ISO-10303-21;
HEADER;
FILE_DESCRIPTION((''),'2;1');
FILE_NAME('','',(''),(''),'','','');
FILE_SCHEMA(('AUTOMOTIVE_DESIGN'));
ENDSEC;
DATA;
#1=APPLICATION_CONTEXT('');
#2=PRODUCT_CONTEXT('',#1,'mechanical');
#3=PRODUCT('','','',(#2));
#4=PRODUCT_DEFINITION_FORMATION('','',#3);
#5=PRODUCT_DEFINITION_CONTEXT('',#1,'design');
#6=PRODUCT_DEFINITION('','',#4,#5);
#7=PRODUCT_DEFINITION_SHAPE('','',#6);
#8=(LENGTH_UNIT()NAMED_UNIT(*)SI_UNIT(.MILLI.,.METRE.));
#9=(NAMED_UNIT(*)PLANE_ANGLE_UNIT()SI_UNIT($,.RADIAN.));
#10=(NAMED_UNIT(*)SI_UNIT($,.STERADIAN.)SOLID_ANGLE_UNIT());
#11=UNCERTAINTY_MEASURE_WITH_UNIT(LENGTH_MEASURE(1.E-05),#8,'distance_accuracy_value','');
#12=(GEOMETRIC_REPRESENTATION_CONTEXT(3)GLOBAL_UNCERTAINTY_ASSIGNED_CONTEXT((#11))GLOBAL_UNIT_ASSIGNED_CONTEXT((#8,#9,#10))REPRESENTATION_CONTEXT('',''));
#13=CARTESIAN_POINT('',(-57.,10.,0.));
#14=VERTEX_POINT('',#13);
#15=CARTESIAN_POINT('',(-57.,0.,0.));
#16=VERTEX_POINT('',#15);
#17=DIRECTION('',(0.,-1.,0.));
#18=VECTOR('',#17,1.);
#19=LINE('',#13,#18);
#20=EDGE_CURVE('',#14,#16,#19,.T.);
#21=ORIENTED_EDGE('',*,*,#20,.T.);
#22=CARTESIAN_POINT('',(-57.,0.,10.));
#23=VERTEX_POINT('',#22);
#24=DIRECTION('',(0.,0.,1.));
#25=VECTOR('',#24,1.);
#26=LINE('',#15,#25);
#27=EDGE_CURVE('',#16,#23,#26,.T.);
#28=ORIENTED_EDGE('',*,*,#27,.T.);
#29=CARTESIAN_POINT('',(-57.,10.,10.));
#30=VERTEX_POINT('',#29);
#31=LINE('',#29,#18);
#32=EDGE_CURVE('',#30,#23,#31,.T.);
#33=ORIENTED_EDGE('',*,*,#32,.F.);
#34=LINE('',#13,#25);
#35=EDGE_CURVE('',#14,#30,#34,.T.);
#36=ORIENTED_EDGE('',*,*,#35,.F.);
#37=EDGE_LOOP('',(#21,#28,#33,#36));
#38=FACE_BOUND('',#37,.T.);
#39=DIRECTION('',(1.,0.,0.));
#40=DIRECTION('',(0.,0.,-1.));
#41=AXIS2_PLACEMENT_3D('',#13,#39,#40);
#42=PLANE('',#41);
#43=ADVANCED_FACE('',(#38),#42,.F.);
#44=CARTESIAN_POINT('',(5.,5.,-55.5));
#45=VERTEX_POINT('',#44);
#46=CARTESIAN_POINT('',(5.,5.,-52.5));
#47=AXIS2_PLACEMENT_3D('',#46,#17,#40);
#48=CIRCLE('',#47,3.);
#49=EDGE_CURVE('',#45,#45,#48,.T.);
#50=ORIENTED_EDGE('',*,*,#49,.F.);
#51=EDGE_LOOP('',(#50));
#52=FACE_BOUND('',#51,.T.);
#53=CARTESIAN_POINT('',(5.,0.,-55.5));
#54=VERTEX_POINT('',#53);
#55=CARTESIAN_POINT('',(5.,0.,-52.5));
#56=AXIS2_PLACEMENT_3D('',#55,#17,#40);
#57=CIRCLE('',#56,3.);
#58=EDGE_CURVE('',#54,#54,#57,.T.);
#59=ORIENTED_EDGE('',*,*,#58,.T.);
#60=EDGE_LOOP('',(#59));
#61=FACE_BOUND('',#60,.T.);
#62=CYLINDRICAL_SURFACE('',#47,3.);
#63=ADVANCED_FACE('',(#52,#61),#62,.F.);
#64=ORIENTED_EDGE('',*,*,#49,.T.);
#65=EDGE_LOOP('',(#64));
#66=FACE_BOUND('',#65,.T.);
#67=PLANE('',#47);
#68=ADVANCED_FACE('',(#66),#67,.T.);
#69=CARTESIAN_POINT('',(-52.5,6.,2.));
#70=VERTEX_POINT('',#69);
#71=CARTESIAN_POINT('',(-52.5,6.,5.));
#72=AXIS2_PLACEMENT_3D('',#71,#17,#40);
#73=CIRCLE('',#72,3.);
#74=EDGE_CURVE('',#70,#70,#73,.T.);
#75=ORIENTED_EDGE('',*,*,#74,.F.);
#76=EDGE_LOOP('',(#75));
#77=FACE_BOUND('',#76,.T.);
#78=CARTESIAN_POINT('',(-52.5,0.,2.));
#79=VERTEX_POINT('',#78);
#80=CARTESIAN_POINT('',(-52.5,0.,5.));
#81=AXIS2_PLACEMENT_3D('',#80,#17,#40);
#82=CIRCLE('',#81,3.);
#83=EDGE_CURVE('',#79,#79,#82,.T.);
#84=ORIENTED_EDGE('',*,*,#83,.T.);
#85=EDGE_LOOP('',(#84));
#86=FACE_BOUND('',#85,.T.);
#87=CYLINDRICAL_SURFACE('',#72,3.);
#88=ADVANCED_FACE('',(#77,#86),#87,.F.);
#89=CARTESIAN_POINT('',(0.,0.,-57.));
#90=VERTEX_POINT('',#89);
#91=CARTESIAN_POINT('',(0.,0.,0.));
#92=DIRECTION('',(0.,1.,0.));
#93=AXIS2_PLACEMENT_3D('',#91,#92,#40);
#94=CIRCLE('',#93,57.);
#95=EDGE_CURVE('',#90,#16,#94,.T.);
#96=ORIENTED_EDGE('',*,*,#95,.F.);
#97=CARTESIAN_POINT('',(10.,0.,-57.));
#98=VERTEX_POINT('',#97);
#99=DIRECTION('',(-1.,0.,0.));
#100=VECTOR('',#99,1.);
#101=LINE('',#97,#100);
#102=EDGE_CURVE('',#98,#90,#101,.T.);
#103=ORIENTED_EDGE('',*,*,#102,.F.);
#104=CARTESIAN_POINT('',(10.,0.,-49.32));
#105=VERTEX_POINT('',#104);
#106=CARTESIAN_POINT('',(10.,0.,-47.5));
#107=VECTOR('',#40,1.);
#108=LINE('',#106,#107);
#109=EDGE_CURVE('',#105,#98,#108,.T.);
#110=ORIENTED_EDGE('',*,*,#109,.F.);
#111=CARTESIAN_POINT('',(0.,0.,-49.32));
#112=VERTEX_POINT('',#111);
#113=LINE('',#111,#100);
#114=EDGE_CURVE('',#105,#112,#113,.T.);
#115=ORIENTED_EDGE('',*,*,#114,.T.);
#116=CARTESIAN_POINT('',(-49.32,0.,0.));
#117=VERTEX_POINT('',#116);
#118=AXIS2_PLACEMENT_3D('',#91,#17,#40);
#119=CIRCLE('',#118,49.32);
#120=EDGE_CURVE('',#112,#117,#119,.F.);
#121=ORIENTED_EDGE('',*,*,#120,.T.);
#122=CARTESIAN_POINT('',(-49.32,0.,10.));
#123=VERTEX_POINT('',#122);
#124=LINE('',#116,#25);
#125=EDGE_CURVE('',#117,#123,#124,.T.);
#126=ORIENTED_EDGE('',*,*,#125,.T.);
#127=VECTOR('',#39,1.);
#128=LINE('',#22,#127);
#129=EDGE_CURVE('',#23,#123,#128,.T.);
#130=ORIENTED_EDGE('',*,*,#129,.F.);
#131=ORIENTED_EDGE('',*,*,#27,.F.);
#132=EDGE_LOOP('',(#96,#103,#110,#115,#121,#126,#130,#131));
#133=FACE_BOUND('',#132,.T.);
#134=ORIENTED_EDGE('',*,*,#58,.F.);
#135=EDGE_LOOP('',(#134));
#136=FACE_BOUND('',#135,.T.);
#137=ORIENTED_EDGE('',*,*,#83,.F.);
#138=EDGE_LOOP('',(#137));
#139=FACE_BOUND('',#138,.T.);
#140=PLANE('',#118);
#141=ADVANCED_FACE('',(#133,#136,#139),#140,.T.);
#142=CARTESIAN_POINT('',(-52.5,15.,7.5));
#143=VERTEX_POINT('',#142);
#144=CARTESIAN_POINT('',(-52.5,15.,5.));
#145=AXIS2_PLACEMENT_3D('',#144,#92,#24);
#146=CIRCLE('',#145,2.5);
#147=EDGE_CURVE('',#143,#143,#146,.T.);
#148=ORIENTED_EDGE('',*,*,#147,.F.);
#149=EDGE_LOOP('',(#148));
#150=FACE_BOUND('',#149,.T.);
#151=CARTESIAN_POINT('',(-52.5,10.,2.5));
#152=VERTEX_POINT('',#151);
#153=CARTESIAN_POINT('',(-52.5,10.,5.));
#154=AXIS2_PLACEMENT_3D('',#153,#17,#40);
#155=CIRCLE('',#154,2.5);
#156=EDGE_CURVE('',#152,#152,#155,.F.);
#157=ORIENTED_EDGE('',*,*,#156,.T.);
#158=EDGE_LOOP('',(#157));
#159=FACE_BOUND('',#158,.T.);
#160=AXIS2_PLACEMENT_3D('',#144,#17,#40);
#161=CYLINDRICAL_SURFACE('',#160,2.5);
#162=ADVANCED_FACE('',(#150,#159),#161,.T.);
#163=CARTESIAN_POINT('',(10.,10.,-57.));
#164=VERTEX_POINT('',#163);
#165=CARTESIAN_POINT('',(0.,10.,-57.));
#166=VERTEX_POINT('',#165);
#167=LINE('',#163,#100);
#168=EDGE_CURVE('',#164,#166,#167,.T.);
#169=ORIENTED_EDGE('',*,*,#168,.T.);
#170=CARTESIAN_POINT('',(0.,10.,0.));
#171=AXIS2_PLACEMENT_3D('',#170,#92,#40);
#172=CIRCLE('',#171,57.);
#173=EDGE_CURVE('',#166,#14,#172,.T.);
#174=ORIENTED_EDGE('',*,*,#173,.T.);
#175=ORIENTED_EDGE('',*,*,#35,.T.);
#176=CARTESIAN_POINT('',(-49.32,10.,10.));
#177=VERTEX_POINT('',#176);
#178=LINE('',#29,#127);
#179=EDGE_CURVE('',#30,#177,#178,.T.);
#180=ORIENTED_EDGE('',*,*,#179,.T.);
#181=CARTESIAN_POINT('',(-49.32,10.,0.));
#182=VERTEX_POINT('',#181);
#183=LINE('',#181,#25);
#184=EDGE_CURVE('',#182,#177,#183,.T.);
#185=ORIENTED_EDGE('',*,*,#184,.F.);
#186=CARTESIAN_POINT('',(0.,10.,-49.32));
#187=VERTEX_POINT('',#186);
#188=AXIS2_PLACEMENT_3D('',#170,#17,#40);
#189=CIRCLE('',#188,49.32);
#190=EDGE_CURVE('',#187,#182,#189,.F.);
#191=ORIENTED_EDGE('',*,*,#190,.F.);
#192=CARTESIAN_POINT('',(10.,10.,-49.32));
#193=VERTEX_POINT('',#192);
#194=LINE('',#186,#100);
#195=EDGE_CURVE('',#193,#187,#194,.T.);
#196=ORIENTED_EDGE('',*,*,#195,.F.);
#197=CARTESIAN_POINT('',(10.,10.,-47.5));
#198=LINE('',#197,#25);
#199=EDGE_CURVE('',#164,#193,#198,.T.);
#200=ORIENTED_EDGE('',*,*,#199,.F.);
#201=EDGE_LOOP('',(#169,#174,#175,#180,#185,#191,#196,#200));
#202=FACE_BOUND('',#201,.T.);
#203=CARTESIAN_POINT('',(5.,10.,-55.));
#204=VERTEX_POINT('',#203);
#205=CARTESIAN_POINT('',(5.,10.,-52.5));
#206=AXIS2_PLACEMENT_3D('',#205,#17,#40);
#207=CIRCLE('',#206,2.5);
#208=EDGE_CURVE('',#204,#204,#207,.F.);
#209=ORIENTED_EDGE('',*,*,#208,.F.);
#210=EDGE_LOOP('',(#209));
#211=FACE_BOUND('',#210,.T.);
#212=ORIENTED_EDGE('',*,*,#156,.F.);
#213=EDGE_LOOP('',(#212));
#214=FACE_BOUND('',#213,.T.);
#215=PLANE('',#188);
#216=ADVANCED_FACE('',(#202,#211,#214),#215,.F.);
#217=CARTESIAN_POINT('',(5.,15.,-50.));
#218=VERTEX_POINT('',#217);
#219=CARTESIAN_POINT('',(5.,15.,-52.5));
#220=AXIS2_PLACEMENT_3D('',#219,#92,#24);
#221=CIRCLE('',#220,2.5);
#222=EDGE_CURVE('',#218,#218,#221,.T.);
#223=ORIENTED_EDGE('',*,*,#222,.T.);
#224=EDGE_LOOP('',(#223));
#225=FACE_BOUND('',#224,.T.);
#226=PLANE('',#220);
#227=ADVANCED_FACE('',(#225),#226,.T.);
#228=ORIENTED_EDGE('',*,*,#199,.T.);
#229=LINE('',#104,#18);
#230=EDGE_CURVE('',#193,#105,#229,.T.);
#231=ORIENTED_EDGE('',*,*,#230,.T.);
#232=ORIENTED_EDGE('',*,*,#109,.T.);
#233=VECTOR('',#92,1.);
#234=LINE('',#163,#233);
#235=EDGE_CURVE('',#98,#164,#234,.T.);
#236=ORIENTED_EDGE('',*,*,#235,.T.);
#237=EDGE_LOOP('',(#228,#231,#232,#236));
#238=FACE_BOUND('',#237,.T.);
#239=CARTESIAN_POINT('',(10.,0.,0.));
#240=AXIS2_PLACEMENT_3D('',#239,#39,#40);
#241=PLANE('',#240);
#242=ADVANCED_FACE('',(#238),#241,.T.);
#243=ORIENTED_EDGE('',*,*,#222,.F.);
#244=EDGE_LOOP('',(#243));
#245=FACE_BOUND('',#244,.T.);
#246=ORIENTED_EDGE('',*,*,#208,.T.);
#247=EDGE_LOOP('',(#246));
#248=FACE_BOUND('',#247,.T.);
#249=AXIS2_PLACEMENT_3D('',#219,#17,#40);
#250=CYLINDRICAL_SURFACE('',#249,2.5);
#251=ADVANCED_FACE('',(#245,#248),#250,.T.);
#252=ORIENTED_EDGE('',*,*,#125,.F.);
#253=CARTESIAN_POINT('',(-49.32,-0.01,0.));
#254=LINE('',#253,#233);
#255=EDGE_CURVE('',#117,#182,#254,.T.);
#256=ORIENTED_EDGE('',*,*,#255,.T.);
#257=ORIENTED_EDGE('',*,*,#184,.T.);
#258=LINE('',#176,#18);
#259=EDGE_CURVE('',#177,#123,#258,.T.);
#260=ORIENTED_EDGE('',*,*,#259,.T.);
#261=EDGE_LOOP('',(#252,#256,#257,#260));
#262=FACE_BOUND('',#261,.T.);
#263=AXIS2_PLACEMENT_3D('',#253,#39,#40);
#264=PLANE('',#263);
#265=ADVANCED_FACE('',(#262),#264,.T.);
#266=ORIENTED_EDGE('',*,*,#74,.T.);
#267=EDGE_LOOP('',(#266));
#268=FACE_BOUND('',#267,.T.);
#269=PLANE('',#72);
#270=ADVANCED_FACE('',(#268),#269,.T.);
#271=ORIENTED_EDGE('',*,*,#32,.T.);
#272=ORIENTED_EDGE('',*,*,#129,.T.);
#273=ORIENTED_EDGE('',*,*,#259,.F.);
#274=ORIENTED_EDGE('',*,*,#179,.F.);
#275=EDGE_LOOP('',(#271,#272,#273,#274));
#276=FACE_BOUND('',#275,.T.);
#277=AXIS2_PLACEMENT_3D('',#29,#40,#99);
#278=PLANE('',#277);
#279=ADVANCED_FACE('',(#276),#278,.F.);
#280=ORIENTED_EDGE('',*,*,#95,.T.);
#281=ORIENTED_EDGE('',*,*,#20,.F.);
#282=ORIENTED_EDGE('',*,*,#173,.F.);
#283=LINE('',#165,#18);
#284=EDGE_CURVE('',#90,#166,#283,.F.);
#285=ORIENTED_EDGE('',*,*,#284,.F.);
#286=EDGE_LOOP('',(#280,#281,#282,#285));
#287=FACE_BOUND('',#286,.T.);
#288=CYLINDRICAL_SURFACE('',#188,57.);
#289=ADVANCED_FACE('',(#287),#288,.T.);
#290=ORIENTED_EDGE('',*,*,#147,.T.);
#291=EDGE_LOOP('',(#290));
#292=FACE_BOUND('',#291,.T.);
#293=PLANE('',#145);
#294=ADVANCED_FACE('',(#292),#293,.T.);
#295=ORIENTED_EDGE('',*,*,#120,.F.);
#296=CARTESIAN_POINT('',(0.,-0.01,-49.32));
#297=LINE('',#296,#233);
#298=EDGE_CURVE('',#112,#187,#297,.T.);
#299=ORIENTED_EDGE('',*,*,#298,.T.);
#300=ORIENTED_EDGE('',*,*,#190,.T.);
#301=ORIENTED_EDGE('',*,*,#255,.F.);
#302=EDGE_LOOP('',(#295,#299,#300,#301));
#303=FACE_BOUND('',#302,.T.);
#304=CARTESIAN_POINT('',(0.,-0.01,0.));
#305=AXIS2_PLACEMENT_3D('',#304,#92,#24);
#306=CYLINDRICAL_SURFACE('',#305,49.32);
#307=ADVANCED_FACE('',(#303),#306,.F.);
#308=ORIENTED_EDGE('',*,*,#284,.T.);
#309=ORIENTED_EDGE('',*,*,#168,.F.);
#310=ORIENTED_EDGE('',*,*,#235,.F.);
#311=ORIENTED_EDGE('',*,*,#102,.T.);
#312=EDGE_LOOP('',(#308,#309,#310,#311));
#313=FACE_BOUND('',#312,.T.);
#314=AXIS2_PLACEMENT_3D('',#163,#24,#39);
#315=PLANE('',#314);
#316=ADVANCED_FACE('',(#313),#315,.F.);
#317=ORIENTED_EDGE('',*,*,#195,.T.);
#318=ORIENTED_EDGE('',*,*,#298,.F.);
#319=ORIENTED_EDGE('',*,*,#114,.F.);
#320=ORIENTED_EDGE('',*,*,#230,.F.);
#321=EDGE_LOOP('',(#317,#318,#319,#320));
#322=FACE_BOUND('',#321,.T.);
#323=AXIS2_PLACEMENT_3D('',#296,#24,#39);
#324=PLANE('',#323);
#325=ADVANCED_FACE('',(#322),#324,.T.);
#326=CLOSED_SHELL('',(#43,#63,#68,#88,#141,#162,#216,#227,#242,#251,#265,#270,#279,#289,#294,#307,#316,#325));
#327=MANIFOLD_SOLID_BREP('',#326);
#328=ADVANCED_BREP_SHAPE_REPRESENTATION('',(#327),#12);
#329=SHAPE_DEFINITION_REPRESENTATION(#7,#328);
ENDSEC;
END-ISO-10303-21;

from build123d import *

# Parameters (mm, degrees)
BOSS_EXTRUDE1_DEPTH    = 10
SKETCH2_R              = 3
CUT_EXTRUDE1_DEPTH     = 6
SKETCH3_R              = 2.5
BOSS_EXTRUDE2_DEPTH    = 5
SPLIT1_SURFACE_1_BACK  = 134.079
SPLIT1_SURFACE_1_DEPTH = 268.158
SKETCH5_W              = 9.5
SKETCH5_H              = 10
BOSS_EXTRUDE3_DEPTH    = 10
SKETCH6_R              = 2.5
BOSS_EXTRUDE4_DEPTH    = 5
SKETCH7_R              = 3
CUT_EXTRUDE2_DEPTH     = 5
SPLIT3_SURFACE_2_BACK  = 96.932
SPLIT3_SURFACE_2_DEPTH = 193.864


with BuildPart() as part:
    # Sketch1 → Boss-Extrude1 (new body)
    with BuildSketch(Plane(origin=(0, 0, 0), x_dir=(1, 0, 0), z_dir=(0, 1, 0))):
        with BuildLine():
            Line((-57, 0), (-57, -10))
            Line((-57, -10), (-47.5, -10))
            Line((-47.5, -10), (-47.5, 0))
            ThreePointArc((-47.5, 0), (0, 47.5), (47.5, 0))
            Line((47.5, 0), (47.5, -10))
            Line((47.5, -10), (57, -10))
            Line((57, -10), (57, 0))
            ThreePointArc((57, 0), (0, 57), (-57, 0))
        make_face()
    extrude(amount=BOSS_EXTRUDE1_DEPTH)

    # Sketch2 → Cut-Extrude1 (cut)
    with BuildSketch(Plane.XZ):
        with Locations(Location((-52.5, 5, 0), (0, 0, 270))):
            Circle(SKETCH2_R)
    cut_extrude1 = extrude(amount=-CUT_EXTRUDE1_DEPTH, mode=Mode.SUBTRACT)

    # Sketch3 → Boss-Extrude2 (add)
    with BuildSketch(Plane(origin=(0, 10, 0), x_dir=(1, 0, 0), z_dir=(0, 1, 0))):
        with Locations(Location((-52.5, -5, 0), (0, 0, 90))):
            Circle(SKETCH3_R)
    boss_extrude2 = extrude(amount=BOSS_EXTRUDE2_DEPTH)

    # Mirror1: Cut-Extrude1, Boss-Extrude2 across plane
    add(cut_extrude1.mirror(Plane.ZY), mode=Mode.SUBTRACT)
    add(boss_extrude2.mirror(Plane.ZY))

    # Split1: cut with a surface, the side it looks to stays
    # Split1 surface: a surface, the sketch's curves swept straight by 268.158 mm
    with BuildLine(Plane(origin=(0, 10, 0), x_dir=(1, 0, 0), z_dir=(0, 1, 0)).offset(-SPLIT1_SURFACE_1_BACK), mode=Mode.PRIVATE) as split1_surface_1_path:
        Line((0, 47.5), (0, 57))
    split1_surface_1 = Shell.extrude(split1_surface_1_path.wire(), (0 * SPLIT1_SURFACE_1_DEPTH, 1 * SPLIT1_SURFACE_1_DEPTH, 0 * SPLIT1_SURFACE_1_DEPTH))
    split(bisect_by=split1_surface_1, keep=Keep.TOP)

    # Sketch5 → Boss-Extrude3 (add)
    with BuildSketch(Plane(origin=(0, 0, 0), x_dir=(0, 0, -1), z_dir=(1, 0, 0))):
        with Locations((52.25, 5)):
            Rectangle(SKETCH5_W, SKETCH5_H)
    extrude(amount=BOSS_EXTRUDE3_DEPTH)

    # Sketch6 → Boss-Extrude4 (add)
    with BuildSketch(Plane(origin=(0, 10, 0), x_dir=(1, 0, 0), z_dir=(0, 1, 0))):
        with Locations(Location((5, 52.5, 0), (0, 0, 90))):
            Circle(SKETCH6_R)
    extrude(amount=BOSS_EXTRUDE4_DEPTH)

    # Sketch7 → Cut-Extrude2 (cut)
    with BuildSketch(Plane.XZ):
        with Locations(Location((5, -52.5, 0), (0, 0, 270))):
            Circle(SKETCH7_R)
    extrude(amount=-CUT_EXTRUDE2_DEPTH, mode=Mode.SUBTRACT)

    # Split3: cut with a surface, the side it looks to stays
    # Split3 surface: a surface, the sketch's curves swept straight by 193.864 mm
    with BuildLine(Plane(origin=(0, 10, 0), x_dir=(1, 0, 0), z_dir=(0, 1, 0)).offset(-SPLIT3_SURFACE_2_BACK), mode=Mode.PRIVATE) as split3_surface_2_path:
        Line((-49.32, -10), (-49.32, 0))
        ThreePointArc((-49.32, 0), (-34.874506448, 34.874506448), (0, 49.32))
        Line((0, 49.32), (10, 49.32))
    split3_surface_2 = Shell.extrude(split3_surface_2_path.wire(), (0 * SPLIT3_SURFACE_2_DEPTH, 1 * SPLIT3_SURFACE_2_DEPTH, 0 * SPLIT3_SURFACE_2_DEPTH))
    split(bisect_by=split3_surface_2, keep=Keep.TOP)


solid = part.part
